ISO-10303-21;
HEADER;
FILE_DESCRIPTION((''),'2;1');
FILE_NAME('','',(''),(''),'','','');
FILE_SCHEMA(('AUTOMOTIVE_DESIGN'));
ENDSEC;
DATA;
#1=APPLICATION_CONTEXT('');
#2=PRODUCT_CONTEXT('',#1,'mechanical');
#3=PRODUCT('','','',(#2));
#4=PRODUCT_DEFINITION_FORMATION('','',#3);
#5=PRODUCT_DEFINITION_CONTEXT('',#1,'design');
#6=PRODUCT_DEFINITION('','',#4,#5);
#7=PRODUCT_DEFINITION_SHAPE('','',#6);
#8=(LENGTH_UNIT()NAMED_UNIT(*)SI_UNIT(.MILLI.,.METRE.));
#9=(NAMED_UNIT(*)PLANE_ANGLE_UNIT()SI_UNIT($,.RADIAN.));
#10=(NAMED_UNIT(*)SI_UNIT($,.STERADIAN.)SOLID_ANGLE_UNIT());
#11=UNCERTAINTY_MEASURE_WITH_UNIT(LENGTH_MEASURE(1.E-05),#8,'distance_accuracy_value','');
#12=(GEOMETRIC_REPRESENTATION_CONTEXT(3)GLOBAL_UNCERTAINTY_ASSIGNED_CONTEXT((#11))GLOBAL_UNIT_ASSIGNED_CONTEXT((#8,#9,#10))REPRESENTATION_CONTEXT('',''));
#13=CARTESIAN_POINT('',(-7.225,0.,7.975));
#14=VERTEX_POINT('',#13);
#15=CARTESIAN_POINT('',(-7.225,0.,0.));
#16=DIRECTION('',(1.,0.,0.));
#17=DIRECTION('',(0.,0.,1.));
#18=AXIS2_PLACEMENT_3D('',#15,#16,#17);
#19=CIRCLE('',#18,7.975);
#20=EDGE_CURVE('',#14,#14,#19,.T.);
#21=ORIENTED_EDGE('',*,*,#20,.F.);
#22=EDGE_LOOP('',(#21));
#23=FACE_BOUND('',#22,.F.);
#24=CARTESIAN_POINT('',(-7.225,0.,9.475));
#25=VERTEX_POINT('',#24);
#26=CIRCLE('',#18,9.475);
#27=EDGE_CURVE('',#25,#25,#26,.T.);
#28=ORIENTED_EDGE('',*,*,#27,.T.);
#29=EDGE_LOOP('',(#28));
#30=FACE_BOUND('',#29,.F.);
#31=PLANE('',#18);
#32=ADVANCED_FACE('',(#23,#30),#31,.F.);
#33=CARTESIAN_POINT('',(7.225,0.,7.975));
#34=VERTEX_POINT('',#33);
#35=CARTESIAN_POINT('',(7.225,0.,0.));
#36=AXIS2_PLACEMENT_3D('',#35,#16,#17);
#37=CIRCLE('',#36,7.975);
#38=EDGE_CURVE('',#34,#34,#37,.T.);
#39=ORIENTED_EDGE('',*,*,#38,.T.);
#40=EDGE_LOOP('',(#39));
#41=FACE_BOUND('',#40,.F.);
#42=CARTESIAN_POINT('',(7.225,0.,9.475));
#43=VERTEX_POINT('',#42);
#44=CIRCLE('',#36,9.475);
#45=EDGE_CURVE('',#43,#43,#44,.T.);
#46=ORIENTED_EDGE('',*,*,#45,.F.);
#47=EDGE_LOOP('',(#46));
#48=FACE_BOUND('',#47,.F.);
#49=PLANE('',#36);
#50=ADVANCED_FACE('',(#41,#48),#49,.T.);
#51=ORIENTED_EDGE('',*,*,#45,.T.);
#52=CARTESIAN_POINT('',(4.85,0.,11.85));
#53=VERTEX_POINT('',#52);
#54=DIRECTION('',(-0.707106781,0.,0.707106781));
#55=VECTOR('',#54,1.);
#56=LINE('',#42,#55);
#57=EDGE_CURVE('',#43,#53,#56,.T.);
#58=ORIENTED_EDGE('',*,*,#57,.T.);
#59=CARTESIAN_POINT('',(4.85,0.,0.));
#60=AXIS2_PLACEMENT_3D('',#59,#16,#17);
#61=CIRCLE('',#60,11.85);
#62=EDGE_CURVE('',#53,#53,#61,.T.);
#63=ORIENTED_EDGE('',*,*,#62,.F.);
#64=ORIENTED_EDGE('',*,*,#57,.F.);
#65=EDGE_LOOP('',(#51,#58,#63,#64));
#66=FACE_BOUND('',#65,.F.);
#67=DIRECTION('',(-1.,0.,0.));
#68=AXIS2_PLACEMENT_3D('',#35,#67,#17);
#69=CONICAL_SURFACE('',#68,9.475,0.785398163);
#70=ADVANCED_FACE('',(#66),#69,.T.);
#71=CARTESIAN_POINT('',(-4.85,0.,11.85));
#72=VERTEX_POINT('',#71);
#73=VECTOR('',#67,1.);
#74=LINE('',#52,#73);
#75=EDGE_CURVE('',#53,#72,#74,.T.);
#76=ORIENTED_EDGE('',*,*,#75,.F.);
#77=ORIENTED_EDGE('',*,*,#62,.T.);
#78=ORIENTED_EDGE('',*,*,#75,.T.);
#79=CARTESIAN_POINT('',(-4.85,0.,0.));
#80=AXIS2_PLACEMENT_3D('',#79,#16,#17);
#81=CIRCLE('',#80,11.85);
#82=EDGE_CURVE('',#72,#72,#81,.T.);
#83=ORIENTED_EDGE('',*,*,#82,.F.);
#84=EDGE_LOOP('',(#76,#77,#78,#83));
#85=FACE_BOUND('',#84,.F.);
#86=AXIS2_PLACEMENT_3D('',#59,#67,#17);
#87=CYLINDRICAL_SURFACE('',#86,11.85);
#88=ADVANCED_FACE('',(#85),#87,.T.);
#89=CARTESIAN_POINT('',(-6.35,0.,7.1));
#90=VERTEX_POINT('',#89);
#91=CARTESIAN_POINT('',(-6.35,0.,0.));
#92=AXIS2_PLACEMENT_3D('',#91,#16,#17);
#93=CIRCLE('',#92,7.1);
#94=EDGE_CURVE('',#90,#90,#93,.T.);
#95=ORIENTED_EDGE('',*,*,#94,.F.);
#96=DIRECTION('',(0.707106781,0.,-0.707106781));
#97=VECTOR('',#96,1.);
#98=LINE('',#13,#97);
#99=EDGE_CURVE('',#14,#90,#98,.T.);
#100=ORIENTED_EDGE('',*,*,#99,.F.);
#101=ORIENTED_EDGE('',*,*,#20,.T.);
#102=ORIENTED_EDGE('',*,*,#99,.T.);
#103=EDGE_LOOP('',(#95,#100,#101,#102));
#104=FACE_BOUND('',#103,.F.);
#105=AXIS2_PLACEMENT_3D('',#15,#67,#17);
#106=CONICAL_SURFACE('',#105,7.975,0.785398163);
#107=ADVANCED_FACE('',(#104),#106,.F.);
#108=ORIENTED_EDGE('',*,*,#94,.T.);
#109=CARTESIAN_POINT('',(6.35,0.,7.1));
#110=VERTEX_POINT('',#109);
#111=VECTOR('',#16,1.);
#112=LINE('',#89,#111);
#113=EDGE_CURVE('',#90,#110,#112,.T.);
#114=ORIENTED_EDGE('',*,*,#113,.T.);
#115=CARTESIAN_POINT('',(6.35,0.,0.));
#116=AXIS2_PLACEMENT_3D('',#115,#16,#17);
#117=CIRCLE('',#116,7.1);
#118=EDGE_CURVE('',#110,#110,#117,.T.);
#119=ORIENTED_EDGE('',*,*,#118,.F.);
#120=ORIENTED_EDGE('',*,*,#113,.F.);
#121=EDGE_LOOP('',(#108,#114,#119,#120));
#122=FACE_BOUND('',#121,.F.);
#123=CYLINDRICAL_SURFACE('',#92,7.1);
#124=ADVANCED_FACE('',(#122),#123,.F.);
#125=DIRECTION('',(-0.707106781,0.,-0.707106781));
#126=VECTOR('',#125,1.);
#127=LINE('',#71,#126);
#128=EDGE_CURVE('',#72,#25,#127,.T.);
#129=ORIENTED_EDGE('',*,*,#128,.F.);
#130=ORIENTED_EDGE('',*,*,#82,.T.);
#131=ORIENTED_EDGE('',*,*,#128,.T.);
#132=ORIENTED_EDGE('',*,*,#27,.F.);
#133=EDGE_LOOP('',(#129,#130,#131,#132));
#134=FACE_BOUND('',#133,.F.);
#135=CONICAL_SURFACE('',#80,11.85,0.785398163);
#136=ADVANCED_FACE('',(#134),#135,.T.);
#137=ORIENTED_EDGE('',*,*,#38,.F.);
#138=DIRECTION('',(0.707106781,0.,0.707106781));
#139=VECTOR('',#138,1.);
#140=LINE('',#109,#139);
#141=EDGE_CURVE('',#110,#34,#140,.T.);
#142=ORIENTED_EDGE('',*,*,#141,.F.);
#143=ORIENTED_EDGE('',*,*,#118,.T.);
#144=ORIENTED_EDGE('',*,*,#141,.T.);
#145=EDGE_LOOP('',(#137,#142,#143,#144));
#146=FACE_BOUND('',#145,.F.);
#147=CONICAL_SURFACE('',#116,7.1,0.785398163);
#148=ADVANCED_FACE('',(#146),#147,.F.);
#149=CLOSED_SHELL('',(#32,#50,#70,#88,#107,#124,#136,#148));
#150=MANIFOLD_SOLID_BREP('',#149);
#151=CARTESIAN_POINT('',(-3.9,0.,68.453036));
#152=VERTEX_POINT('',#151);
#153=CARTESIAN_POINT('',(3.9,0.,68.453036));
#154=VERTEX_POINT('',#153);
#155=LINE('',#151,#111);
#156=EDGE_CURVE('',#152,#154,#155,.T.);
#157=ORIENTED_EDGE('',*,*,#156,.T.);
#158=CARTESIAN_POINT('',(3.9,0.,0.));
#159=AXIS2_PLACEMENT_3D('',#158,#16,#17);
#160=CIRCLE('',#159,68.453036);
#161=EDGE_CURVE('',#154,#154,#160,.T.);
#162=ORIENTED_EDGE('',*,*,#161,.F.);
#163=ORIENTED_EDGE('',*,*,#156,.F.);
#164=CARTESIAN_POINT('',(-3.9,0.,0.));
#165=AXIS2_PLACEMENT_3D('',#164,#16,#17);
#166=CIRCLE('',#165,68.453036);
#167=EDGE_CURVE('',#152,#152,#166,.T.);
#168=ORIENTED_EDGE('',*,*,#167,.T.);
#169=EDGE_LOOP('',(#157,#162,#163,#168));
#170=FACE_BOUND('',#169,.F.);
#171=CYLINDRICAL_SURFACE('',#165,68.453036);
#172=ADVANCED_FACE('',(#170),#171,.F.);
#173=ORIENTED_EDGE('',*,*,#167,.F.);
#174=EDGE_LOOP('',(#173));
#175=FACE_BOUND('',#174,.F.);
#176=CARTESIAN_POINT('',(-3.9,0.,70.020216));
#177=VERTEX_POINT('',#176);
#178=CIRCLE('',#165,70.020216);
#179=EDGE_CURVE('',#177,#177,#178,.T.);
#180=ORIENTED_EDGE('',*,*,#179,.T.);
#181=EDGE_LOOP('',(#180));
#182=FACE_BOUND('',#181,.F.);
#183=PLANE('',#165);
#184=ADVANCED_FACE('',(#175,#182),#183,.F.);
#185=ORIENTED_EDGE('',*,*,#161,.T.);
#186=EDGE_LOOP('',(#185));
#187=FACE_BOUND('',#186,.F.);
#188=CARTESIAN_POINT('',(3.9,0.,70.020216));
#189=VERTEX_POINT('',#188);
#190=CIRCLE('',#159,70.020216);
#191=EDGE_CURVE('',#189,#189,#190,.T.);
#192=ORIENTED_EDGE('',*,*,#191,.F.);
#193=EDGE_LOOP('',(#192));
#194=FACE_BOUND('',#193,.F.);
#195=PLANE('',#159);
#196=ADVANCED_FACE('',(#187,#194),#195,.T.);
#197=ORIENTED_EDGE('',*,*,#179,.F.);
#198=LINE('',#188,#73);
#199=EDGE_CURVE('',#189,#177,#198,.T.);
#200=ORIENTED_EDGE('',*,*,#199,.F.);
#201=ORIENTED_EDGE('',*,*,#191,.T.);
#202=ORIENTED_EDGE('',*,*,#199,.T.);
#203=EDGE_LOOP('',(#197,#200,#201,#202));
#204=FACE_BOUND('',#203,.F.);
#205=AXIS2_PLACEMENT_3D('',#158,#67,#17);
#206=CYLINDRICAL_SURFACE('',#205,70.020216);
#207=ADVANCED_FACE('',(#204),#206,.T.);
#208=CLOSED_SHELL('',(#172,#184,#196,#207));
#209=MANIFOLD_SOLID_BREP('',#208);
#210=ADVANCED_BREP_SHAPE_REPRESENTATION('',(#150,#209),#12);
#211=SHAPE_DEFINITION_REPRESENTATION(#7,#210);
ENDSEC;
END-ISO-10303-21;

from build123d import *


with BuildPart() as f1:
    # F0 (on Front) → F1 (revolve)
    with BuildSketch(Plane.XZ):
        Polygon((-6.35, 7.1), (0, 7.1), (6.35, 7.1), (7.225, 7.975), (7.225, 9.475), (4.85, 11.85), (0, 11.85), (-4.85, 11.85), (-7.225, 9.475), (-7.225, 7.975), align=None)
        Polygon((-3.9, 68.453036), (0, 68.453036), (3.9, 68.453036), (3.9, 70.020216), (0, 70.020216), (-3.9, 70.020216), align=None)
    revolve(axis=Axis((18.602807, 0, 0), (1, 0, 0)))


solid = f1.part
